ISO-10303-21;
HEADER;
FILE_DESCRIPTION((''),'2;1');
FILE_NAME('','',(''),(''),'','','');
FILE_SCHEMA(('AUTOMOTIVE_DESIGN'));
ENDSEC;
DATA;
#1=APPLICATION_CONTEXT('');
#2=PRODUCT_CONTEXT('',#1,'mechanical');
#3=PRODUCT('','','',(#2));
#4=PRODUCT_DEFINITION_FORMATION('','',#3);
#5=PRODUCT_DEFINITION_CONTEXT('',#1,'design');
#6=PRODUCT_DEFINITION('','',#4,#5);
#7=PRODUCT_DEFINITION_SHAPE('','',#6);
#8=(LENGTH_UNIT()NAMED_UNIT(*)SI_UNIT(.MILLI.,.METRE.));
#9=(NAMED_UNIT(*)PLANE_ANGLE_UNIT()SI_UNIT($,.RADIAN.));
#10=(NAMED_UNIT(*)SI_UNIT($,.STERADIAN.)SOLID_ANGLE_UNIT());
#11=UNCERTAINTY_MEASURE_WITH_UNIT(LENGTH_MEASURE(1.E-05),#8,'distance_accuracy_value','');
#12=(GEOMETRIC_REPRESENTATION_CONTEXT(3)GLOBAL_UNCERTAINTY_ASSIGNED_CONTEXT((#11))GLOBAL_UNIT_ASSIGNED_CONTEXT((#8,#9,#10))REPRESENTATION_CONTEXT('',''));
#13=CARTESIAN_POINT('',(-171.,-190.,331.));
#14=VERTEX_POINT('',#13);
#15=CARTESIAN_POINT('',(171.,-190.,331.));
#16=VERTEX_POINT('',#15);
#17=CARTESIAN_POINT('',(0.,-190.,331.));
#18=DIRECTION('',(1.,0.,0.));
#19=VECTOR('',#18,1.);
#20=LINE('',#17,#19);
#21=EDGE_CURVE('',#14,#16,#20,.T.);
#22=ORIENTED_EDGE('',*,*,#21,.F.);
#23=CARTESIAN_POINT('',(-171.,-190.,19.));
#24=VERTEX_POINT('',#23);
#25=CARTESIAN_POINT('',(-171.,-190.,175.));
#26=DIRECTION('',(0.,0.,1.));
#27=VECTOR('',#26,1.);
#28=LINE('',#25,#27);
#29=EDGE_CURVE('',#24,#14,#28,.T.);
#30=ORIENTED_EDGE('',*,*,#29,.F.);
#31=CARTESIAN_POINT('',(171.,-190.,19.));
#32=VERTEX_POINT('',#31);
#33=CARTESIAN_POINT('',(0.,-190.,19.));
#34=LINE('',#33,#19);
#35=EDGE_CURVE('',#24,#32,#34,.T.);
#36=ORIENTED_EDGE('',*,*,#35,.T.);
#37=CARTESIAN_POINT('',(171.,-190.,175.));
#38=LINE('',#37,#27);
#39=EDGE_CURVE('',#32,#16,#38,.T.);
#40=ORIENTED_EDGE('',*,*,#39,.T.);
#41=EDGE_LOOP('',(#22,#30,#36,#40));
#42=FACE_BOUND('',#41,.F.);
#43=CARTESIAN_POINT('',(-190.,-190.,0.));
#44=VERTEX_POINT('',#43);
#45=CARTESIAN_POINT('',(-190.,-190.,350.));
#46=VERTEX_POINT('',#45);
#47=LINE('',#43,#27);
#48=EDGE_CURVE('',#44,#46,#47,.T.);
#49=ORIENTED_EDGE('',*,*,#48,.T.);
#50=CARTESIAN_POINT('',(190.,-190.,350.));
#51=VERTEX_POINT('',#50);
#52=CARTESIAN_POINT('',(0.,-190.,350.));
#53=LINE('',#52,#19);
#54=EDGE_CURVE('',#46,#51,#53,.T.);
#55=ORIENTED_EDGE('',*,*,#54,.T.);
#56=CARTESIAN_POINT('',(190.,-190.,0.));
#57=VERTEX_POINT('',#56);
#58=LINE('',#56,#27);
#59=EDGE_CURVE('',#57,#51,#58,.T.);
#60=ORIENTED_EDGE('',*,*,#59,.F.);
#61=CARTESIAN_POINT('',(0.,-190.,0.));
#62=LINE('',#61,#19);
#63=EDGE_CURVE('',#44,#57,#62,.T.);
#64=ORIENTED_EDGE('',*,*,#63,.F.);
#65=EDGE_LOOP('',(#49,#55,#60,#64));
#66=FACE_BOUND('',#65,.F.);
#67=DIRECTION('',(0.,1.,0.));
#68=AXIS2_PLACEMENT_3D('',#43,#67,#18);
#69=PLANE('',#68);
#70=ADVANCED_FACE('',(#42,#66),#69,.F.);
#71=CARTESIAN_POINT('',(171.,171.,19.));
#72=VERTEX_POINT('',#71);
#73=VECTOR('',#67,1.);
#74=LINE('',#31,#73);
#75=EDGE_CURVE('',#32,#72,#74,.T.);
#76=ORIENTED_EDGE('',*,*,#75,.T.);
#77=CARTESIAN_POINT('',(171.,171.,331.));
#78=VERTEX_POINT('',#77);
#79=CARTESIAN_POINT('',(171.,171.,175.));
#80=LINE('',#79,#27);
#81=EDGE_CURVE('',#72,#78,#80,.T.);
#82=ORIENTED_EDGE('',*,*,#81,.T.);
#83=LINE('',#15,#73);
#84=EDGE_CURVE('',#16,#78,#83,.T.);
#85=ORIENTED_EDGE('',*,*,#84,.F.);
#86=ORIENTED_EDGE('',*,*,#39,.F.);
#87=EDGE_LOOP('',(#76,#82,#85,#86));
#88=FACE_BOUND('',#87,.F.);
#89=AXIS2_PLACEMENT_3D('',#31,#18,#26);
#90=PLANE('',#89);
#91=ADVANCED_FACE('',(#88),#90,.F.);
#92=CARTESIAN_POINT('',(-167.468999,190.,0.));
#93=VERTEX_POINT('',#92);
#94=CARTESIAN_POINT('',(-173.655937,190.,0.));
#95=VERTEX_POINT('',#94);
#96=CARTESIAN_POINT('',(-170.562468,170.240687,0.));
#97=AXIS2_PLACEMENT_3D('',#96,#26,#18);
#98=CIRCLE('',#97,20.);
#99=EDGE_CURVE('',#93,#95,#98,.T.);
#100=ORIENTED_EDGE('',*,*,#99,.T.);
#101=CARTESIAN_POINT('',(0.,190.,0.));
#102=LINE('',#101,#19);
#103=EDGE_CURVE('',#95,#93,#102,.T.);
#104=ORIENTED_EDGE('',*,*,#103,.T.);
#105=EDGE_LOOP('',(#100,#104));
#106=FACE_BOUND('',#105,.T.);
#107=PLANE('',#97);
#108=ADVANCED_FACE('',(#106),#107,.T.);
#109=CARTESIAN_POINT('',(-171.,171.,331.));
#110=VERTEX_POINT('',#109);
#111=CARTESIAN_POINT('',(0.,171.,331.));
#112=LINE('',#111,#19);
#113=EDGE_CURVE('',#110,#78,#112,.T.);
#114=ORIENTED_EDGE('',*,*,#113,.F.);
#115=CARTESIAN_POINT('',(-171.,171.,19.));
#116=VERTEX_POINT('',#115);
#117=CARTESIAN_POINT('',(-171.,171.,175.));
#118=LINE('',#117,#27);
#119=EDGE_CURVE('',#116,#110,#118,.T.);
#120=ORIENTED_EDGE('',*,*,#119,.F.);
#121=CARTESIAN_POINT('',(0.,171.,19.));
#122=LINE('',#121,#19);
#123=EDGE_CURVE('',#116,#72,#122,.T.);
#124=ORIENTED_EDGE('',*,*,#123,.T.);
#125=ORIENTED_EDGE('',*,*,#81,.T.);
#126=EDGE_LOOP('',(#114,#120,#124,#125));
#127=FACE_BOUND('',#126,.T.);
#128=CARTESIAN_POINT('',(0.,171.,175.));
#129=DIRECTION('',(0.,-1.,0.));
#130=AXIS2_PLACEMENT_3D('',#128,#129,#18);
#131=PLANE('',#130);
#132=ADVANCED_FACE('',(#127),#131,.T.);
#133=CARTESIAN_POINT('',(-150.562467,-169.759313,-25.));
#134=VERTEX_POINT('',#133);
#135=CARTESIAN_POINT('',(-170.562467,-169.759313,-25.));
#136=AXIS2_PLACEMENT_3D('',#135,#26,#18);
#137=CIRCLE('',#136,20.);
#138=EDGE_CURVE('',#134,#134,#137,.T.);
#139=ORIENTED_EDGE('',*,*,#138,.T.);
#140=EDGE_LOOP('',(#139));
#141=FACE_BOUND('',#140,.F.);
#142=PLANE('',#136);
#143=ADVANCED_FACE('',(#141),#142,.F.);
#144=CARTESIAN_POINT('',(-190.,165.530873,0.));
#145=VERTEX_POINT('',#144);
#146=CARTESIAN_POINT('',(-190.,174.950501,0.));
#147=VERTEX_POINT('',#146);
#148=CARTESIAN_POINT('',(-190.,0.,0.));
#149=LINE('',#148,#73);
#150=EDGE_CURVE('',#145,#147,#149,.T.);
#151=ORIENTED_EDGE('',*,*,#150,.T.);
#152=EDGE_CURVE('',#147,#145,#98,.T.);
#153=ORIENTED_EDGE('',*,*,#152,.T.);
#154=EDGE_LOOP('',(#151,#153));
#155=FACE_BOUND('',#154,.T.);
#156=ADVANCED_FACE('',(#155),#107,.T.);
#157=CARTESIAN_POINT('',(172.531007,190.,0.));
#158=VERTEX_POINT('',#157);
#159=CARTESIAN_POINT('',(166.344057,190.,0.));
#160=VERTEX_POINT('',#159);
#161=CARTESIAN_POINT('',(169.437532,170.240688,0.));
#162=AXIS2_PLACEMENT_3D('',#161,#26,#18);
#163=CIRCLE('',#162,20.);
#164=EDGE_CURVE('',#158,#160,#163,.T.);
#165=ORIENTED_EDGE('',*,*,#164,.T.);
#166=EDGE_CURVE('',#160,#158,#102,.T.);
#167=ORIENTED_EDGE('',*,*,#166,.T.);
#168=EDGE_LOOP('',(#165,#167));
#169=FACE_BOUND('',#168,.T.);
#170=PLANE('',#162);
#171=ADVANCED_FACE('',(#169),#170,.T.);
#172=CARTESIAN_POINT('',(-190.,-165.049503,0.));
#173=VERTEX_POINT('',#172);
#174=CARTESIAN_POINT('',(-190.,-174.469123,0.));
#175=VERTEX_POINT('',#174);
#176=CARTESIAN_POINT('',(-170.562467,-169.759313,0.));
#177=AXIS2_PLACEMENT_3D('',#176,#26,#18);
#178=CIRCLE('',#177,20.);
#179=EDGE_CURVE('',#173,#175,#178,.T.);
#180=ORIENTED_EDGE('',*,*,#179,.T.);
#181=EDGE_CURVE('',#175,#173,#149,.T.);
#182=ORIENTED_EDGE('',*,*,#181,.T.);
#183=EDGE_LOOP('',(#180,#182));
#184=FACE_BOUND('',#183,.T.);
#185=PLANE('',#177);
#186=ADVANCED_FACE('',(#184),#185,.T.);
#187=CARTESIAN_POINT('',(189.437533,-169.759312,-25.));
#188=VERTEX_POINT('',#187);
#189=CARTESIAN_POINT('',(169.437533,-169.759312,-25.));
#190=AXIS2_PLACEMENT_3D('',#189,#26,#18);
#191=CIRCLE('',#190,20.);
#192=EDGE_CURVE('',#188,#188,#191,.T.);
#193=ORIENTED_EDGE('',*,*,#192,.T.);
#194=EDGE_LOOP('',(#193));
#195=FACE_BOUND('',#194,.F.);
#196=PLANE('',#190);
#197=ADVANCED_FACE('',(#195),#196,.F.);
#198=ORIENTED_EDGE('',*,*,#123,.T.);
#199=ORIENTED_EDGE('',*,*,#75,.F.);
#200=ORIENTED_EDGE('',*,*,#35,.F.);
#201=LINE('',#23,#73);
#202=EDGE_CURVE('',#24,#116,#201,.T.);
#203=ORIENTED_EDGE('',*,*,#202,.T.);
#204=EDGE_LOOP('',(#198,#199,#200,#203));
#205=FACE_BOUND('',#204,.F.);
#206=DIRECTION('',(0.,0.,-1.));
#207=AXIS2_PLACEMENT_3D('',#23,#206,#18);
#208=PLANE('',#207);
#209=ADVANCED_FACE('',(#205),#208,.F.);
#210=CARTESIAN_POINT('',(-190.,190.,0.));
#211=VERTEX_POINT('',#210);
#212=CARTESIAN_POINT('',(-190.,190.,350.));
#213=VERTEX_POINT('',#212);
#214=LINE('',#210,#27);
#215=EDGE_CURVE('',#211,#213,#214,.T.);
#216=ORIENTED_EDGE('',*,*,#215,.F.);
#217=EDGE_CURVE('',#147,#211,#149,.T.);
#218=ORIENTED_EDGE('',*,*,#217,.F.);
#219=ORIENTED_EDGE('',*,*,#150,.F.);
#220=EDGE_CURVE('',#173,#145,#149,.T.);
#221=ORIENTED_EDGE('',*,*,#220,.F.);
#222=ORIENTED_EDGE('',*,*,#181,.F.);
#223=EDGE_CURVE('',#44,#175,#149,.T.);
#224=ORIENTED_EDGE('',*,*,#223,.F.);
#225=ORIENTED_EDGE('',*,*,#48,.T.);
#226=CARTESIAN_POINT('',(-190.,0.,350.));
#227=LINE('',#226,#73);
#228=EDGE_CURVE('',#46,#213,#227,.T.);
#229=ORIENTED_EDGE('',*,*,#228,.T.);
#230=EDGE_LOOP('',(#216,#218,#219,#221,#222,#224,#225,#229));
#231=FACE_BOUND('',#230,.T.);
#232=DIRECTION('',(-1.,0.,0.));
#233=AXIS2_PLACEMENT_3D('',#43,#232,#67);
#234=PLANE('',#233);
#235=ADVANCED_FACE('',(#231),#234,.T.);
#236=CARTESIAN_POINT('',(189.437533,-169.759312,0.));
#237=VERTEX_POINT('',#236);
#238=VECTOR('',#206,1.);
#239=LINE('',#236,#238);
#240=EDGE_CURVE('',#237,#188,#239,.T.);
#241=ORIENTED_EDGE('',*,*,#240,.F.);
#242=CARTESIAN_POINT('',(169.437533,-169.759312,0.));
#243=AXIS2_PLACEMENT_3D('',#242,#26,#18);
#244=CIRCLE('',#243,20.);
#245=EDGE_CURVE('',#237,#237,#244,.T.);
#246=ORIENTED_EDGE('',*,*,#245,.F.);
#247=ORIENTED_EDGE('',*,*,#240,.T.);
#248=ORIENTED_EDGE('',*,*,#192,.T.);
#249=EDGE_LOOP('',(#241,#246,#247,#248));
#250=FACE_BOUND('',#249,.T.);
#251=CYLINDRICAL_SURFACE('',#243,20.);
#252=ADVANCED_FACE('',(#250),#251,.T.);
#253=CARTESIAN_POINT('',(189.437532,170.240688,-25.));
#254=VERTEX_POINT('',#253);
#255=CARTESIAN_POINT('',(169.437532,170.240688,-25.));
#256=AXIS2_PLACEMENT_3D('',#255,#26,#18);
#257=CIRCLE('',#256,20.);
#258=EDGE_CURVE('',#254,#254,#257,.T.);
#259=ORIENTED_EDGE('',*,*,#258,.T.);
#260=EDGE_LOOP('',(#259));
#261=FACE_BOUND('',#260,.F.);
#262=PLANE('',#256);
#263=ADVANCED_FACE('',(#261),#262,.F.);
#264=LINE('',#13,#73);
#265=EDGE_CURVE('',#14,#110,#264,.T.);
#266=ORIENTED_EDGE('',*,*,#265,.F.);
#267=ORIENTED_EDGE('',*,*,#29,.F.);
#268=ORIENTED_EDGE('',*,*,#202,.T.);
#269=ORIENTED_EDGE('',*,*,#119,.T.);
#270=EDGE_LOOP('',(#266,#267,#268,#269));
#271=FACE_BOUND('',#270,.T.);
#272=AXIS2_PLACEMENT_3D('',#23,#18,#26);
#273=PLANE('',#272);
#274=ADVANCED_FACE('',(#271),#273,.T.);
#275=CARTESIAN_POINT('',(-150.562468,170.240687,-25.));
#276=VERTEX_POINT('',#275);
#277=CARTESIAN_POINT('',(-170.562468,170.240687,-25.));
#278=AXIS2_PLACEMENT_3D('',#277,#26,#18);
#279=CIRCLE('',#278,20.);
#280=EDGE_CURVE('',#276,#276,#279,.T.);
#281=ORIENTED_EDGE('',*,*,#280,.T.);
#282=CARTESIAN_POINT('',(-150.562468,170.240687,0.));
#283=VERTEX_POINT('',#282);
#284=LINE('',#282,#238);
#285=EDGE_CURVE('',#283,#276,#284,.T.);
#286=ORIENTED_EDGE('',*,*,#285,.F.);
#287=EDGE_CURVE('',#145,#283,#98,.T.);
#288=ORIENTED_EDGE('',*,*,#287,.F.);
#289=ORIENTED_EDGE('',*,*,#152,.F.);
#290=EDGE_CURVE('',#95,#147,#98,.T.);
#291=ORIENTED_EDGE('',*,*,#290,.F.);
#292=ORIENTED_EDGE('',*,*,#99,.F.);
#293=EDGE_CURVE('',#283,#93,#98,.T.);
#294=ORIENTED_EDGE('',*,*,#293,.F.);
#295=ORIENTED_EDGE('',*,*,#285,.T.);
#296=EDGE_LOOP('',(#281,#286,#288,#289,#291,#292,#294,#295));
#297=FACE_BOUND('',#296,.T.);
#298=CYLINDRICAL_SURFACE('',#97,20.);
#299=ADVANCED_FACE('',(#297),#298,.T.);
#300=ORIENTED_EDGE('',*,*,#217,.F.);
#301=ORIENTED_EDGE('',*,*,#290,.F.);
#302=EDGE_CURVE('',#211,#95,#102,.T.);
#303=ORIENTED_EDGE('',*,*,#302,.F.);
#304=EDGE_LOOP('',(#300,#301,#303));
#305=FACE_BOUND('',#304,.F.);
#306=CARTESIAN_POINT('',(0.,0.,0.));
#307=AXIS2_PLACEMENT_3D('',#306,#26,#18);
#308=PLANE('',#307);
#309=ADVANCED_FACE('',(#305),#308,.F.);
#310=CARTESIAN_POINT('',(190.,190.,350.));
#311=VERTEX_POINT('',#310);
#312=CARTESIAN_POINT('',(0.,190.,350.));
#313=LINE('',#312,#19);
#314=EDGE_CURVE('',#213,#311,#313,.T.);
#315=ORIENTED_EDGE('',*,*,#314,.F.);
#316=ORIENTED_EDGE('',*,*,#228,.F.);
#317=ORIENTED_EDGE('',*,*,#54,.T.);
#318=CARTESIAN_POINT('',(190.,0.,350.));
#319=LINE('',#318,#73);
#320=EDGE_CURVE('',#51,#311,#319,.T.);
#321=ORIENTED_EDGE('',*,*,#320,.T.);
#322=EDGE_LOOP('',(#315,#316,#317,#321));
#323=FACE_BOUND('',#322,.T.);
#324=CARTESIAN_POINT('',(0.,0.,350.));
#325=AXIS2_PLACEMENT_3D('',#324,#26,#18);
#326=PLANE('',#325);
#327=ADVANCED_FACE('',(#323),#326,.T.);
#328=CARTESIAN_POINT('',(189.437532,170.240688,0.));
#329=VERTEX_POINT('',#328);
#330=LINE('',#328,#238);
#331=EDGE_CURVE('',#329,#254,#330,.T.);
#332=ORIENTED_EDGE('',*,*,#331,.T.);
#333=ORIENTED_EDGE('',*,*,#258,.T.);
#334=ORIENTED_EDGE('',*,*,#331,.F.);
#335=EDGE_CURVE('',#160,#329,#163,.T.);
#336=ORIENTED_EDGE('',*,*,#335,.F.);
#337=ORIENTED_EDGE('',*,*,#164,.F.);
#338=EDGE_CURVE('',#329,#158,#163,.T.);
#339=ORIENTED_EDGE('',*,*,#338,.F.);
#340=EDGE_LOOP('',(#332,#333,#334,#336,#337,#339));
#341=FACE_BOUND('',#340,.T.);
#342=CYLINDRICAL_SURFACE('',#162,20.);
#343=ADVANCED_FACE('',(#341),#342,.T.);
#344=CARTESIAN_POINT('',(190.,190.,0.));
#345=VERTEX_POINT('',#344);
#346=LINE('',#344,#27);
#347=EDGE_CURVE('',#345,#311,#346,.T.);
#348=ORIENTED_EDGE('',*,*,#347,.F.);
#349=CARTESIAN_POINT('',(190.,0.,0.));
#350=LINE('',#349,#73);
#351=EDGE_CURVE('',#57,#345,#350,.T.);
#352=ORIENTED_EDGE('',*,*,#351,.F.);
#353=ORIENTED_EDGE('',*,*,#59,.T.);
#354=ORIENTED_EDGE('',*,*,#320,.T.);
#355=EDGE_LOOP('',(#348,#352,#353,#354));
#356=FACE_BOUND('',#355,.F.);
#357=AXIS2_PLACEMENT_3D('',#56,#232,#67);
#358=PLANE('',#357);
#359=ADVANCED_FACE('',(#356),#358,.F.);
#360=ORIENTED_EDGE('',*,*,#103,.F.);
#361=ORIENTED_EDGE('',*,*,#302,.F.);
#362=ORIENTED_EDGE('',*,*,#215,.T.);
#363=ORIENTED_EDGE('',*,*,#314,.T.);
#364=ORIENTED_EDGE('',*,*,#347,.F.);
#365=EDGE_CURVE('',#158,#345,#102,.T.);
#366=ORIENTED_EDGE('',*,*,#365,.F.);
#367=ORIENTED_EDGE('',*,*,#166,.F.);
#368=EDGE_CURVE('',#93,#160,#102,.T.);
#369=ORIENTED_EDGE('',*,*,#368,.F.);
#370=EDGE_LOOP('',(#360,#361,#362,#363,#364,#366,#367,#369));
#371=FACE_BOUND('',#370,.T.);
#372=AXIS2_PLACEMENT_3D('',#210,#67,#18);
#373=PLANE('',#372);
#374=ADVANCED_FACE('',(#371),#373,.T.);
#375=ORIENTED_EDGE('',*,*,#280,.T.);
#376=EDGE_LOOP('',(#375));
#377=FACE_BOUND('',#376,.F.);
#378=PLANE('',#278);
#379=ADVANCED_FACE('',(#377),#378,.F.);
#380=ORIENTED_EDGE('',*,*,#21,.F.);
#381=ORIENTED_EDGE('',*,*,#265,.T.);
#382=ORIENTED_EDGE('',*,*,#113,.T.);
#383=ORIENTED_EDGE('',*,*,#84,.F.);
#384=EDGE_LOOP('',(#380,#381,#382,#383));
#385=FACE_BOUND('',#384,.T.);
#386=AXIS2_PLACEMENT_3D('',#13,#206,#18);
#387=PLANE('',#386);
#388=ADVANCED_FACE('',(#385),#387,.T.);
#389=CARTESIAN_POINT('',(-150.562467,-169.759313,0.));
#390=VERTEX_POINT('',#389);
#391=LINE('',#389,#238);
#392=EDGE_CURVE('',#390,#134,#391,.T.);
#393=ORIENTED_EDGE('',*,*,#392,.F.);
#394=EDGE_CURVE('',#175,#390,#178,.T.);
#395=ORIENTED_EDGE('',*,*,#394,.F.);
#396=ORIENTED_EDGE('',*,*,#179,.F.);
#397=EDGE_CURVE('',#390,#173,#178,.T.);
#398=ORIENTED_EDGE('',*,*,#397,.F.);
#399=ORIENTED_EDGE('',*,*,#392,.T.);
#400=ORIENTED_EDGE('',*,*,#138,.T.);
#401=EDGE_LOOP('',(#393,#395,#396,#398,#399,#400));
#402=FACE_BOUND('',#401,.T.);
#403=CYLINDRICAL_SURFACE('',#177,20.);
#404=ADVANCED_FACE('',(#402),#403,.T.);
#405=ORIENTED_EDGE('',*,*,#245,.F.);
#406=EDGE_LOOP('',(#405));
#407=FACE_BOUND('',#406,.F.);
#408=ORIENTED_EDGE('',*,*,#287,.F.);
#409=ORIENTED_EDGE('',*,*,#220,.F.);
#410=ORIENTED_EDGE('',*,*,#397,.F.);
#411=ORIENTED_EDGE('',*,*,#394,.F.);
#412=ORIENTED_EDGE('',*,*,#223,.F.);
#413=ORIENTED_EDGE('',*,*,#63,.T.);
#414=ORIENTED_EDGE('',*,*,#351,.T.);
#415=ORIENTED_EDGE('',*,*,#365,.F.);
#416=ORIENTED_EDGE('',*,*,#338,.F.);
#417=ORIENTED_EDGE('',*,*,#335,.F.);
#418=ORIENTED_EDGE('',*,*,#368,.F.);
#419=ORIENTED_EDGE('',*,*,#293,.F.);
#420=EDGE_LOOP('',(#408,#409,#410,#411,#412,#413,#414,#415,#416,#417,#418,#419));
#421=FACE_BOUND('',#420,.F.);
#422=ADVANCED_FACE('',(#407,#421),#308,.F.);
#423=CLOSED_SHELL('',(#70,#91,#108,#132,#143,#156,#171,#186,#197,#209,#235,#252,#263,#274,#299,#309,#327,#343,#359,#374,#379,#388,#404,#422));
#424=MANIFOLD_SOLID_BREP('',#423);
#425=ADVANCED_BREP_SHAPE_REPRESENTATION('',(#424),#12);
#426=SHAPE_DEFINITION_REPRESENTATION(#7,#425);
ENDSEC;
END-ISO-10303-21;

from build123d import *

# Parameters (mm, degrees)
F0_W     = 380
F0_H     = 380
F1_DEPTH = 350
F2_W     = 342
F2_H     = 312
F3_DEPTH = 361
F4_R     = 20
F5_DEPTH = 25


with BuildPart() as f1:
    # F0 (on Top) → F1 (new body)
    with BuildSketch(Plane.XY):
        Rectangle(F0_W, F0_H)
    extrude(amount=F1_DEPTH)

    # F2 (on face) → F3 (cut)
    with BuildSketch(Plane.XZ.offset(190)):
        with Locations((0, 175)):
            Rectangle(F2_W, F2_H)
    extrude(amount=-F3_DEPTH, mode=Mode.SUBTRACT)

    # F4 (on face) → F5 (join)
    with BuildSketch(Plane.XY):
        with Locations((169.437533, -169.759312)):
            Circle(F4_R)
        with Locations((169.437532, 170.240688)):
            Circle(F4_R)
        with Locations((-170.562468, 170.240687)):
            Circle(F4_R)
        with Locations((-170.562467, -169.759313)):
            Circle(F4_R)
    extrude(amount=-F5_DEPTH)


solid = f1.part
